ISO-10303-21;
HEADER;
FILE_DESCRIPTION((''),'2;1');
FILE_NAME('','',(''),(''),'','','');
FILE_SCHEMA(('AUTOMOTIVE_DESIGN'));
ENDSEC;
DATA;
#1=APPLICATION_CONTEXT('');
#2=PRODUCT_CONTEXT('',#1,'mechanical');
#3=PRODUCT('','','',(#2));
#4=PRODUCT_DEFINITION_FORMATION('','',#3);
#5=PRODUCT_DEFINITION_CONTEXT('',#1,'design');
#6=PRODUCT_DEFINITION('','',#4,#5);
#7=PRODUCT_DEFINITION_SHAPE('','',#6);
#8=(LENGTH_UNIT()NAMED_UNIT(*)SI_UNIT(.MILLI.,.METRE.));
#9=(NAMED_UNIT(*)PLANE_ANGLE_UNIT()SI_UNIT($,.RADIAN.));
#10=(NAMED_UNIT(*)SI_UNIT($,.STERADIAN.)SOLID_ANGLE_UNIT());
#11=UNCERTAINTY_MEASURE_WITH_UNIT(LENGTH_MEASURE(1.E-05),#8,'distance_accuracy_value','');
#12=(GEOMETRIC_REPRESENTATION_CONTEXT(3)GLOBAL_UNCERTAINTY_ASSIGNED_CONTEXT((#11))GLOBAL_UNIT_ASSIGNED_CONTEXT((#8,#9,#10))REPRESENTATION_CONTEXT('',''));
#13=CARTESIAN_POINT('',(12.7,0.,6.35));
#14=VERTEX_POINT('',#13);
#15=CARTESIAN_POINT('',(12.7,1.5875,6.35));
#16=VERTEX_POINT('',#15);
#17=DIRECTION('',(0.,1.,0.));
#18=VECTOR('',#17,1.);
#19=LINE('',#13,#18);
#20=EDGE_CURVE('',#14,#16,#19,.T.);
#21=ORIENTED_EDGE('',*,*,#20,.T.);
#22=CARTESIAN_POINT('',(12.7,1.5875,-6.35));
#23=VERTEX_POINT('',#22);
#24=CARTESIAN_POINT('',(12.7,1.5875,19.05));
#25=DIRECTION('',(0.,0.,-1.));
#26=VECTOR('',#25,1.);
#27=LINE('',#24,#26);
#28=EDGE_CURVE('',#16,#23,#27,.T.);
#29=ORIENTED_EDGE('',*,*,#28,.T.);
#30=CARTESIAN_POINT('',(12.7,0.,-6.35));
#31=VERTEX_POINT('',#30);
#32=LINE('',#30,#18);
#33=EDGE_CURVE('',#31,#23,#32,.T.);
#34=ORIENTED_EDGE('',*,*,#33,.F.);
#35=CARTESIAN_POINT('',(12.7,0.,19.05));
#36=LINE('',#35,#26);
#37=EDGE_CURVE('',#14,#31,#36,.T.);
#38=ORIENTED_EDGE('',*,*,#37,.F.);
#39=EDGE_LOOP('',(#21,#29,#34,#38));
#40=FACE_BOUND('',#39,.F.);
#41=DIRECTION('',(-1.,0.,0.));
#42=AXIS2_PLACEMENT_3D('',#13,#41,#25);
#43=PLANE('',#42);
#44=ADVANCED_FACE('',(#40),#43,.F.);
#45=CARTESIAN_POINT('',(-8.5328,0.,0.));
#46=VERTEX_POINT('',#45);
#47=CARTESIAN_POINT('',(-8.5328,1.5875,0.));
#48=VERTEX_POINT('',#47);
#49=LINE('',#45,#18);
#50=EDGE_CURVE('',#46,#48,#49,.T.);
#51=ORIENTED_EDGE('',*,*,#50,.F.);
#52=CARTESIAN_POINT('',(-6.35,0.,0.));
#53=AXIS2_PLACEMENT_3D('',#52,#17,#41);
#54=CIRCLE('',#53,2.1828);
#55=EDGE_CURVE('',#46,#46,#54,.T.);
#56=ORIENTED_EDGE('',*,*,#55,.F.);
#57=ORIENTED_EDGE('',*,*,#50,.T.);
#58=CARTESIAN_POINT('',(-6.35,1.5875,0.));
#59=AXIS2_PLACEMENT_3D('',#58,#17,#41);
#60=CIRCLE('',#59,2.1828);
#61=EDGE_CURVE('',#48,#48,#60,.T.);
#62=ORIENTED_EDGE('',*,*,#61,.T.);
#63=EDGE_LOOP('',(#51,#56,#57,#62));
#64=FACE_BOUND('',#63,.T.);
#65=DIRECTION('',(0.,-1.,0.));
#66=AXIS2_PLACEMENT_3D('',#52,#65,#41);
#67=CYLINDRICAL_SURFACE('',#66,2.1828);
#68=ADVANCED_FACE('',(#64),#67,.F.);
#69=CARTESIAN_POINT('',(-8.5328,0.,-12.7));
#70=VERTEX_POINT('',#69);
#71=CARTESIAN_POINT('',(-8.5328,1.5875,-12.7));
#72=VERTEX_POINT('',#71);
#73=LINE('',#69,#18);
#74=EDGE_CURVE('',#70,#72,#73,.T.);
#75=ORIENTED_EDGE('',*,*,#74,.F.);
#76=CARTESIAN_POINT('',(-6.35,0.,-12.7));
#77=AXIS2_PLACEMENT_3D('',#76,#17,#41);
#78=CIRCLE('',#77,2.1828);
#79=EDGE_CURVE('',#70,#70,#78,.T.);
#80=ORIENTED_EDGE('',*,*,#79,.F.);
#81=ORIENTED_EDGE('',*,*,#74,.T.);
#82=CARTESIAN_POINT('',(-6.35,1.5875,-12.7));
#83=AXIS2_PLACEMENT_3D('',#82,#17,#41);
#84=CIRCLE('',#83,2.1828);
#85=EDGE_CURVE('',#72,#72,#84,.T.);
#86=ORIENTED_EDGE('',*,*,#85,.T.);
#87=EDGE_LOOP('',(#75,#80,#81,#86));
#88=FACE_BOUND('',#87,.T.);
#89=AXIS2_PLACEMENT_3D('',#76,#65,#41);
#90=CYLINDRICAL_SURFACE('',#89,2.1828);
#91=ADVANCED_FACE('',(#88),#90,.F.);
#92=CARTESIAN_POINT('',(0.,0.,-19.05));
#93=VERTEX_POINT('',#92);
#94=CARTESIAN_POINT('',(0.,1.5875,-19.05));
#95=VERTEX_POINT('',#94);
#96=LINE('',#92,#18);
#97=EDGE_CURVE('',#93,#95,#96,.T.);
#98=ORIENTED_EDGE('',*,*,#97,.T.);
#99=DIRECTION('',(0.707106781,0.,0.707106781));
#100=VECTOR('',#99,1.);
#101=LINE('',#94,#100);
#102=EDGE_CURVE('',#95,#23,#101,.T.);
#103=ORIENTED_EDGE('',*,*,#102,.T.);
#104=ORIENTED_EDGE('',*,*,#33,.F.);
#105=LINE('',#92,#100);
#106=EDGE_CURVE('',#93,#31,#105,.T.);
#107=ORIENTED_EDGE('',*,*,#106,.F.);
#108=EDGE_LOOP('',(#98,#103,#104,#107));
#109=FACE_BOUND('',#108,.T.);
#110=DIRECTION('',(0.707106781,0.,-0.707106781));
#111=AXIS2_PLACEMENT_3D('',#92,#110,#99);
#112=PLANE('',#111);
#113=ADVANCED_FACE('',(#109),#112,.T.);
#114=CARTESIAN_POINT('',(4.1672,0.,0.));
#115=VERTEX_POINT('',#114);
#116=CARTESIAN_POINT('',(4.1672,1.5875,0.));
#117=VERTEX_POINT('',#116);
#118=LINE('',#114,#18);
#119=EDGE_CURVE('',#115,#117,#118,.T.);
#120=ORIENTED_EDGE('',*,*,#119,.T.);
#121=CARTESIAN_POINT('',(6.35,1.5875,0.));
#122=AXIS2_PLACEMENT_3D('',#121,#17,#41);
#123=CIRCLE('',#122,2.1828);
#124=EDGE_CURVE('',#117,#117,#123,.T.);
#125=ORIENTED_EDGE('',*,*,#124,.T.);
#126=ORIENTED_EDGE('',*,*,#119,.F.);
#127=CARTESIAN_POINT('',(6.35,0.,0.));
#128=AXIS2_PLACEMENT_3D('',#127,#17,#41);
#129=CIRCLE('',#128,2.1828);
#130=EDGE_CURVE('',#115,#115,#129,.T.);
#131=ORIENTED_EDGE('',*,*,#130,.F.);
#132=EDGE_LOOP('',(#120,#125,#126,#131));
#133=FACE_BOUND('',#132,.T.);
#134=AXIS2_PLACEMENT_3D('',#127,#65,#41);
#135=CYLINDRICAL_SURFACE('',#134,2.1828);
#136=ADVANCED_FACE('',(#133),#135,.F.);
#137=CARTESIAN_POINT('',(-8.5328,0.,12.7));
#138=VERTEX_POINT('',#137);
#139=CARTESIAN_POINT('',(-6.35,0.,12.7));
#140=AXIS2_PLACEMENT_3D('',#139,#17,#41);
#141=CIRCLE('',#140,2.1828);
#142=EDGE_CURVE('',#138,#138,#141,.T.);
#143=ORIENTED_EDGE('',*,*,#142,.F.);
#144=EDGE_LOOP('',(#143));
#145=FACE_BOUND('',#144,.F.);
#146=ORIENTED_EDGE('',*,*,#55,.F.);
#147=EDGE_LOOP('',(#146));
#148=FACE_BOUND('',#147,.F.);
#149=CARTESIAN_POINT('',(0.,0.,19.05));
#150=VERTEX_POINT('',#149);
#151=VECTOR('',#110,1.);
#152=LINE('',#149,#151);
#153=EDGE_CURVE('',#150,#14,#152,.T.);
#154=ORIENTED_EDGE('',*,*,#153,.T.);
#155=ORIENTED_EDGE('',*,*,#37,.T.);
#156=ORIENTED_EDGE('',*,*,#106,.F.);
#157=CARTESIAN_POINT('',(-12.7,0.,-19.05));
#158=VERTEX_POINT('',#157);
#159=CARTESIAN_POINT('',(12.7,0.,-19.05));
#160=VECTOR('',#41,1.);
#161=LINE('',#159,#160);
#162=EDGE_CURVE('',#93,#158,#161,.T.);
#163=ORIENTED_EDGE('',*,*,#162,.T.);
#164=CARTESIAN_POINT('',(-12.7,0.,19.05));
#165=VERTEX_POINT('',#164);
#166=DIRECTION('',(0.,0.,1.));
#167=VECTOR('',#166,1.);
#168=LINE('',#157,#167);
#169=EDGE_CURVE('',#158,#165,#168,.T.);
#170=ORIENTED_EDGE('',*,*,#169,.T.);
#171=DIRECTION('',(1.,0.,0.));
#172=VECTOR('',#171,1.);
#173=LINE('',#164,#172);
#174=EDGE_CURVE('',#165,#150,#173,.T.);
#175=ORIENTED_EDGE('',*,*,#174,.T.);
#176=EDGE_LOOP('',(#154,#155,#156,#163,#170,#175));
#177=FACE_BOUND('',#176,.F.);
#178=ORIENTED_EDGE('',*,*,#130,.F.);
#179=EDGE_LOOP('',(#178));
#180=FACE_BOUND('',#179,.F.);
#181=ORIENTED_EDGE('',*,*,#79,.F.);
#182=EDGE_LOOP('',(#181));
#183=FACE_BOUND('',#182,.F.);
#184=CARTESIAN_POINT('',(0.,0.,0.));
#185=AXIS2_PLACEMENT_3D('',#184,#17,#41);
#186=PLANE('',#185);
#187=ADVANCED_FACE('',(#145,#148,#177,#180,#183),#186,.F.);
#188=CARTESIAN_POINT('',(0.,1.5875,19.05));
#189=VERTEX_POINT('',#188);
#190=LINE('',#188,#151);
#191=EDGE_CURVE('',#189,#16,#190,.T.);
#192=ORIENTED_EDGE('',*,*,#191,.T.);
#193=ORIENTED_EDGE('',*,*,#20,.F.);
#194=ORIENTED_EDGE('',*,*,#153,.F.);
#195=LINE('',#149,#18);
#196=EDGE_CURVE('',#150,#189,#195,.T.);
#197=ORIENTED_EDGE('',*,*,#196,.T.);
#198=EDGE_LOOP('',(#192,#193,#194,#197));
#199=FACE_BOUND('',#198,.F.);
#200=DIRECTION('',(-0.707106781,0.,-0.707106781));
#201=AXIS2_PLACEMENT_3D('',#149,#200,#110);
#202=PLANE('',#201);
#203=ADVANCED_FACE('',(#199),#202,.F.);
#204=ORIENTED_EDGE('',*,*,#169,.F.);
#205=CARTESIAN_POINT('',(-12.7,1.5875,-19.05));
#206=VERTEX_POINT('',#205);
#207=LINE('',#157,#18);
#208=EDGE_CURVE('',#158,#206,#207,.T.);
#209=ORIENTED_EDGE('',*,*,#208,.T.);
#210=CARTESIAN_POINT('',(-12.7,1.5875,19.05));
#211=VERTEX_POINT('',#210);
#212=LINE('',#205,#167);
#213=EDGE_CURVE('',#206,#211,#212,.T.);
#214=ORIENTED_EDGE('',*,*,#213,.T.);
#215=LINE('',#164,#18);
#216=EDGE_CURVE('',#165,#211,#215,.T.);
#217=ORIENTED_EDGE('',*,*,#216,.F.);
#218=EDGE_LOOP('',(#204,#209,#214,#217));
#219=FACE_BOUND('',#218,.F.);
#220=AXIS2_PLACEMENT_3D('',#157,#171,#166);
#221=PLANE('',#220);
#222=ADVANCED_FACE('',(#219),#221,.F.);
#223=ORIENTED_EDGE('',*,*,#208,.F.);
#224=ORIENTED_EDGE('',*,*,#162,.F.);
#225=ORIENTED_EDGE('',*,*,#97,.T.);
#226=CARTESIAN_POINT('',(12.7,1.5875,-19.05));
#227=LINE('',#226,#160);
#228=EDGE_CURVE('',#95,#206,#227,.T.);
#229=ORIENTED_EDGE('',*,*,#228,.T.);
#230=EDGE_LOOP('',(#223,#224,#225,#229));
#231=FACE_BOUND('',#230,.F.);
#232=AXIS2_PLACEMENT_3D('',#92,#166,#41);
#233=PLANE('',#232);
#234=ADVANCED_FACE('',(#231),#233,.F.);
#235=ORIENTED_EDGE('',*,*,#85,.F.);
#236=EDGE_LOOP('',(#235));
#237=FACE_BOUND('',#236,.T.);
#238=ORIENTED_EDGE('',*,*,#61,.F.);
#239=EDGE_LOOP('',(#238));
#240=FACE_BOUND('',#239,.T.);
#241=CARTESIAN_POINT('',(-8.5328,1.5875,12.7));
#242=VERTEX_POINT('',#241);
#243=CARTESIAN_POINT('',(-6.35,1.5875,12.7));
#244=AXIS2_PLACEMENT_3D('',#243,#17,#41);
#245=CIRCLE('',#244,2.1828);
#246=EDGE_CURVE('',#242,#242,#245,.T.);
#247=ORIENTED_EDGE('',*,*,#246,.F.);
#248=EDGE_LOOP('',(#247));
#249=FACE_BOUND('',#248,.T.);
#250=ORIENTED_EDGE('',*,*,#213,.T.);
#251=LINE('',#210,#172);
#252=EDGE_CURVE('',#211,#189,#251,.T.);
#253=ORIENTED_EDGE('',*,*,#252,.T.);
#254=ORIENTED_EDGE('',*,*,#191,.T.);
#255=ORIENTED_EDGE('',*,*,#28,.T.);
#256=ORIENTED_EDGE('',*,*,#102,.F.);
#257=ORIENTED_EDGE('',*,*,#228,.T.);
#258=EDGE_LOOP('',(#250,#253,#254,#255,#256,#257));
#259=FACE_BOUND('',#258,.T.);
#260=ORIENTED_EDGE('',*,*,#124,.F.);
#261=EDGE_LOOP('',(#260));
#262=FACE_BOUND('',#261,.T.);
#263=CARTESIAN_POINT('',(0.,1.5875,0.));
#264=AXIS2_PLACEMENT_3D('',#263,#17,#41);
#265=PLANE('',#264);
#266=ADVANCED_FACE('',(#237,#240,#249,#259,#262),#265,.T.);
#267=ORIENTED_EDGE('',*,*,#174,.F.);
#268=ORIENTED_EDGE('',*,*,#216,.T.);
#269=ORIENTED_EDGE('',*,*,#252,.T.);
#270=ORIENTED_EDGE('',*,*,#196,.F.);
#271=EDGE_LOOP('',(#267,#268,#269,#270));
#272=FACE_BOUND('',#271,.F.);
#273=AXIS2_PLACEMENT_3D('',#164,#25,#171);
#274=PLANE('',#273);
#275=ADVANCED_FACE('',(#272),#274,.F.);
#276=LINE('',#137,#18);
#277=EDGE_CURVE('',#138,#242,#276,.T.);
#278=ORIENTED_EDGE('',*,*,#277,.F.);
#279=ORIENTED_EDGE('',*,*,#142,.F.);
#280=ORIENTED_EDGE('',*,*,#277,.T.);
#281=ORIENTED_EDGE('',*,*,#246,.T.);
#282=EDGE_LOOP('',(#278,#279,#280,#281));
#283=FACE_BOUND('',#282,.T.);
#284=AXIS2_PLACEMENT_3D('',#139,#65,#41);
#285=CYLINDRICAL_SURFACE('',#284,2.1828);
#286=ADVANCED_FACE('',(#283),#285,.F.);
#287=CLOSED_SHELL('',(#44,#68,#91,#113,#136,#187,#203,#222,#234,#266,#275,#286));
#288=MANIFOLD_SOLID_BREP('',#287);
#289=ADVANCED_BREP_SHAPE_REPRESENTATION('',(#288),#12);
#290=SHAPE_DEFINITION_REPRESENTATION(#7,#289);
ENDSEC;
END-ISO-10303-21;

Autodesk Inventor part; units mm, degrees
ref_plane "YZ Plane" through (0, 0, 0) normal (1, 0, 0) x (0, 1, 0)
ref_plane "XZ Plane" through (0, 0, 0) normal (0, 1, 0) x (-1, 0, 0)
ref_plane "XY Plane" through (0, 0, 0) normal (0, 0, 1) x (1, 0, 0)
sketch "Sketch1" plane through (0, 0, 0) normal (0, 1, 0) x (-1, 0, 0)
  line L0 (-12.7, -19.05) -> (12.7, -19.05)
  line L1 (12.7, -19.05) -> (12.7, 19.05)
  line L2 (12.7, 19.05) -> (-12.7, 19.05)
  line L3 (-12.7, 19.05) -> (-12.7, -19.05)
  line L4 (-12.7, -19.05) -> (12.7, 19.05) construction
  line L5 (12.7, -19.05) -> (-12.7, 19.05) construction
  line L6 (12.7, 19.05) -> (0, 19.05)
  line L7 (0, 19.05) -> (0, -19.05)
  line L8 (0, -19.05) -> (12.7, -19.05)
  line L9 (12.7, -19.05) -> (12.7, 19.05)
  line L10 (0, 19.05) -> (-12.7, 6.35)
  line L11 (0, 19.05) -> (17.9605, 19.05) construction
  line L12 (0, -19.05) -> (-12.7, -6.35)
  line L13 (0, -19.05) -> (17.9605, -19.05) construction
  circle A0 centre (6.35, 0) radius 2.1828
  circle A1 centre (-6.35, 0) radius 2.1828
  circle A2 centre (6.35, 12.7) radius 2.1828
  circle A3 centre (6.35, -12.7) radius 2.1828
  point P0 (0, 0)
  point P1 (0, 0)
  point P2 (8.9803, -19.05)
  dimension "d0" = 25.4
  dimension "d1" = 38.1
  dimension "d2" = 135
  dimension "d3" = 135
  dimension "d4" = 4.3656
  dimension "d5" = 4.3656
  dimension "d6" = 4.3656
  dimension "d7" = 4.3656
  dimension "d10" = 12.7
  dimension "d11" = 6.35
  dimension "d12" = 19.05
  dimension "d13" = 19.05
extrude "Extrusion1" add sketch "Sketch1" along normal blind 1.5875 contours L7 L2 L1 L0 | L12 L3 L10 L7
properties part number "bracket1"
